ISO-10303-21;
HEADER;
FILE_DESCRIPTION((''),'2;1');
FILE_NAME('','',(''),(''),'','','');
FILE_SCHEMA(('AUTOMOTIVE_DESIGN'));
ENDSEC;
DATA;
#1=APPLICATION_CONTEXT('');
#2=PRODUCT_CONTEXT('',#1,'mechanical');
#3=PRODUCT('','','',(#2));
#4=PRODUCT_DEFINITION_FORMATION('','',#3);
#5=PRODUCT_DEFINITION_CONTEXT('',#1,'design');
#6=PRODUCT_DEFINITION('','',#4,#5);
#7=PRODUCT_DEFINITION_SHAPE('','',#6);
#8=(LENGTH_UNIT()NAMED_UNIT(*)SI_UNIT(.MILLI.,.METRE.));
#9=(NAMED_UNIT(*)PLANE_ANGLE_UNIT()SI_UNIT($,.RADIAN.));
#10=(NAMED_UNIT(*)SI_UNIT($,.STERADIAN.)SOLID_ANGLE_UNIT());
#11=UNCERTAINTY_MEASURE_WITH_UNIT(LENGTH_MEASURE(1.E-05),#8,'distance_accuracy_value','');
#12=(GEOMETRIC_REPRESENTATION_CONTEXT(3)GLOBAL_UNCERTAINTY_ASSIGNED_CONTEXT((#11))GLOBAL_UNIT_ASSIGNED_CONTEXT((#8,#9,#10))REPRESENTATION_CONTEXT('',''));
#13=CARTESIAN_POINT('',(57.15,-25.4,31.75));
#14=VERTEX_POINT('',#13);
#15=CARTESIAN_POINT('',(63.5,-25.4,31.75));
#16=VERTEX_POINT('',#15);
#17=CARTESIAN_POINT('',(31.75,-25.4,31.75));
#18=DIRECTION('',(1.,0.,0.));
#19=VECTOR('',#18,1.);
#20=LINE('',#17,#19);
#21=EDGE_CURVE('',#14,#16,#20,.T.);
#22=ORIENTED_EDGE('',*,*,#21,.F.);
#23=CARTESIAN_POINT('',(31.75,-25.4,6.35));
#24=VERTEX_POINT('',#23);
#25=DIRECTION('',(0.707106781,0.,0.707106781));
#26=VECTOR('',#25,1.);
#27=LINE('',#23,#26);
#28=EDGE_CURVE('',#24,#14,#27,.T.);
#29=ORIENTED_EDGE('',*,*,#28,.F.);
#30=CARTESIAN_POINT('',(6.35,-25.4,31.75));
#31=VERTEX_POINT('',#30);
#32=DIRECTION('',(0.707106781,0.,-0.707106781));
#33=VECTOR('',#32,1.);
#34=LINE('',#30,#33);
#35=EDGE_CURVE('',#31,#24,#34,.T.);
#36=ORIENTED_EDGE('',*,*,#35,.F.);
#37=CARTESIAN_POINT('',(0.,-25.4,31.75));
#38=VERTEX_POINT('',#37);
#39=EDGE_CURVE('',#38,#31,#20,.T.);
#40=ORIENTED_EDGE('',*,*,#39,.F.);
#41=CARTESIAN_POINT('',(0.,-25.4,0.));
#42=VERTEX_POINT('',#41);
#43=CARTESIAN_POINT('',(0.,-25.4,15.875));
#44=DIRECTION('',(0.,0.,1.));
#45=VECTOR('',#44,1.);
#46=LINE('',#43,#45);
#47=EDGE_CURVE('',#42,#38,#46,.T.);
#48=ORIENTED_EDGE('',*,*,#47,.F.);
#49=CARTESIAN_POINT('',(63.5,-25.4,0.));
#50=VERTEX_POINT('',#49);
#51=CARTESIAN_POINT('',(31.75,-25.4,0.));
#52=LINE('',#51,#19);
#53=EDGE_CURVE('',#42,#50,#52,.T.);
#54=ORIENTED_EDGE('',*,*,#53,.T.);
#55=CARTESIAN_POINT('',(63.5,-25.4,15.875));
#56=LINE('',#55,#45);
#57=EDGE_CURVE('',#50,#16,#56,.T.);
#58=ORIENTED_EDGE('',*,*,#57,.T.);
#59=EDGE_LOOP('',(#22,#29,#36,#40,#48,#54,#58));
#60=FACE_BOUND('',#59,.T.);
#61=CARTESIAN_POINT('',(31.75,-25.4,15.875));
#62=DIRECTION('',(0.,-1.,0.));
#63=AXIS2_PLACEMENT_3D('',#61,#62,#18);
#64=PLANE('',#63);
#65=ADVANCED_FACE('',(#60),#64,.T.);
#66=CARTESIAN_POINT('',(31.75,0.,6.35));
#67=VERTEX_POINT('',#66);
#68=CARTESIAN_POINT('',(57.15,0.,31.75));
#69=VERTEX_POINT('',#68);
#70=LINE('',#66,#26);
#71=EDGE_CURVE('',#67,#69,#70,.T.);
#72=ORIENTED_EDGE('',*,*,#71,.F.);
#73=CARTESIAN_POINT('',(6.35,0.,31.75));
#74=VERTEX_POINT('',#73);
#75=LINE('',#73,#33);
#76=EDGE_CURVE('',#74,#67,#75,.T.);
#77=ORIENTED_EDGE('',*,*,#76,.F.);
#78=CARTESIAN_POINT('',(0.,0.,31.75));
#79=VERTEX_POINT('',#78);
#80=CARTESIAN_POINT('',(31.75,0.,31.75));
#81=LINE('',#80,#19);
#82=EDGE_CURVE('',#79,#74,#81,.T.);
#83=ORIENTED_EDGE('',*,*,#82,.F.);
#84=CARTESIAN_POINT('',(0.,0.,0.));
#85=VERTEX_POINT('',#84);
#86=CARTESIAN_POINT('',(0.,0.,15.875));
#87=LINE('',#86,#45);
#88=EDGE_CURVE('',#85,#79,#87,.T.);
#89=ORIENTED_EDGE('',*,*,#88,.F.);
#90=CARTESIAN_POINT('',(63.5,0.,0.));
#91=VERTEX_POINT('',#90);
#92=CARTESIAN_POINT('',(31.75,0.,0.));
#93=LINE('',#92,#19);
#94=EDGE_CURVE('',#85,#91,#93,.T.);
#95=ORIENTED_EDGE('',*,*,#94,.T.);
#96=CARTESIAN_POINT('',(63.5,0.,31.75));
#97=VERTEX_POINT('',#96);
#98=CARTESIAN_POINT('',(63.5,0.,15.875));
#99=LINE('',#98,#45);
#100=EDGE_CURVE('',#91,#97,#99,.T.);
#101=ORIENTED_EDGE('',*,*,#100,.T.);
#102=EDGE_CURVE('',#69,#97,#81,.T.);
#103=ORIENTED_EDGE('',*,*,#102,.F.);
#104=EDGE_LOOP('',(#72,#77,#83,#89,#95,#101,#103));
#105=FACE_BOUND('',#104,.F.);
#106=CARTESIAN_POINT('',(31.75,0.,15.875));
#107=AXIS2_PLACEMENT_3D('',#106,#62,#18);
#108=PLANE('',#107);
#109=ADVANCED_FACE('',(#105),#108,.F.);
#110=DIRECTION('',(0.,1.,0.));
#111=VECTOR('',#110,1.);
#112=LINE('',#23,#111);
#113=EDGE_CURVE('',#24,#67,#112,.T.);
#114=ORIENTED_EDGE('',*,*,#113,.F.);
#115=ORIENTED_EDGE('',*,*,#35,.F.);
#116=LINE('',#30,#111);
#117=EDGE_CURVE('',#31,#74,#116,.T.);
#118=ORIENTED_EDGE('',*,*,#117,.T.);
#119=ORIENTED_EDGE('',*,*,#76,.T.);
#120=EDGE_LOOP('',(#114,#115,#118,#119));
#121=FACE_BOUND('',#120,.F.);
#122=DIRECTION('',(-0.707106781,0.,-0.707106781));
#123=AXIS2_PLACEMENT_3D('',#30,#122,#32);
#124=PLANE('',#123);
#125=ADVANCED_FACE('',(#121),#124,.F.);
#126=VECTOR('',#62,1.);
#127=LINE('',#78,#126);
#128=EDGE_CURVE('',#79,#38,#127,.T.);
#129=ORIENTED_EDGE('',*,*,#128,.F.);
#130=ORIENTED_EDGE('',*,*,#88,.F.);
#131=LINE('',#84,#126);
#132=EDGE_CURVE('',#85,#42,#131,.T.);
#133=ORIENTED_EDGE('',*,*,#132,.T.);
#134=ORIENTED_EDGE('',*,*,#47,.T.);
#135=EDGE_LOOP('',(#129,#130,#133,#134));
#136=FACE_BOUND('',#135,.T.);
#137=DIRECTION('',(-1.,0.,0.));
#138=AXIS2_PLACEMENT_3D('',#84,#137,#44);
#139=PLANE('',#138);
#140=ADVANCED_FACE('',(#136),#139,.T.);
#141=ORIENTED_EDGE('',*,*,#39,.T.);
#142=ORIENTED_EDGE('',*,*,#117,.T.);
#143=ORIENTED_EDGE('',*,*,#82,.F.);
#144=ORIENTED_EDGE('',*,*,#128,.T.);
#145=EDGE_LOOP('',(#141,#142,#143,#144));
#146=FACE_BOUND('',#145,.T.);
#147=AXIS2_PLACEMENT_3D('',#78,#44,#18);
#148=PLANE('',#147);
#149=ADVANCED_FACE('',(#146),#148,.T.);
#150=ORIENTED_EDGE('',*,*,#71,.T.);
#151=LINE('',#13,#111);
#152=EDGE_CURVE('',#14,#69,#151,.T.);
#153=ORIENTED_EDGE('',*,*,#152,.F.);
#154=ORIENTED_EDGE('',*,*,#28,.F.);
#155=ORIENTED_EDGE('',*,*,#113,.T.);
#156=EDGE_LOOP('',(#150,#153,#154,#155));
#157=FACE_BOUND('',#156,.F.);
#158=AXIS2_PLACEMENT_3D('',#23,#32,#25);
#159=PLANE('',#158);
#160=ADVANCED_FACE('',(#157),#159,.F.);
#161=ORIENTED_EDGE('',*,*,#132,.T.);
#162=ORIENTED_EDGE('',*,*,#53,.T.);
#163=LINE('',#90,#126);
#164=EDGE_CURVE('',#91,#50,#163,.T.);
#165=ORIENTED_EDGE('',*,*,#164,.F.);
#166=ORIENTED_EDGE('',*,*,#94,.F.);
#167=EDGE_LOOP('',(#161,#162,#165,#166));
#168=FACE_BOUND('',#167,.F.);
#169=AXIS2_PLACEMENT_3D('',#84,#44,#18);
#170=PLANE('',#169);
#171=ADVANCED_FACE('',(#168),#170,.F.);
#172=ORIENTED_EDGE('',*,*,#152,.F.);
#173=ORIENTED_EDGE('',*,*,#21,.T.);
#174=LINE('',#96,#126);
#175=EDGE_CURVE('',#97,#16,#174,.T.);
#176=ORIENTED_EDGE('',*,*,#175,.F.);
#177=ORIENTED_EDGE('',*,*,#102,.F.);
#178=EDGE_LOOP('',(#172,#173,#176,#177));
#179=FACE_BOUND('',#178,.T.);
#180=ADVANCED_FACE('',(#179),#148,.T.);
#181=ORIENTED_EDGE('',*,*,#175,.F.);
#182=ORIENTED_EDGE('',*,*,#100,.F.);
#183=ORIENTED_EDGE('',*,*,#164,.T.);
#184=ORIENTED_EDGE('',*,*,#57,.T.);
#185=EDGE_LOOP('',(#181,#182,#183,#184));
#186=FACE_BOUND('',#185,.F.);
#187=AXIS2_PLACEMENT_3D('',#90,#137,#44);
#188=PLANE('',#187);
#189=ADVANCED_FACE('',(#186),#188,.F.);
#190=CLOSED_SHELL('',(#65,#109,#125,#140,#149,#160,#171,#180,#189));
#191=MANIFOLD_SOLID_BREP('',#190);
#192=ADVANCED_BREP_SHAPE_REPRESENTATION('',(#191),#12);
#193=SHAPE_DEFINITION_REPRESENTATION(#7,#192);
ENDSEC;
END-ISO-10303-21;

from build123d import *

# Parameters (mm, degrees)
F0_W     = 63.5
F0_H     = 31.75
F1_DEPTH = 25.4
F3_DEPTH = 25.4


with BuildPart() as f1:
    # F0 (on Front) → F1 (new body)
    with BuildSketch(Plane.XZ):
        with Locations((31.75, 15.875)):
            Rectangle(F0_W, F0_H)
    extrude(amount=F1_DEPTH)

    # F2 (on face) → F3 (cut)
    with BuildSketch(Plane.XZ.offset(25.4)):
        Polygon((44.45, 31.75), (19.05, 31.75), (31.75, 19.05), align=None)
        Polygon((19.05, 31.75), (6.35, 31.75), (31.75, 6.35), (31.75, 19.05), align=None)
        Polygon((31.75, 19.05), (31.75, 6.35), (57.15, 31.75), (44.45, 31.75), align=None)
    extrude(amount=-F3_DEPTH, mode=Mode.SUBTRACT)


solid = f1.part
